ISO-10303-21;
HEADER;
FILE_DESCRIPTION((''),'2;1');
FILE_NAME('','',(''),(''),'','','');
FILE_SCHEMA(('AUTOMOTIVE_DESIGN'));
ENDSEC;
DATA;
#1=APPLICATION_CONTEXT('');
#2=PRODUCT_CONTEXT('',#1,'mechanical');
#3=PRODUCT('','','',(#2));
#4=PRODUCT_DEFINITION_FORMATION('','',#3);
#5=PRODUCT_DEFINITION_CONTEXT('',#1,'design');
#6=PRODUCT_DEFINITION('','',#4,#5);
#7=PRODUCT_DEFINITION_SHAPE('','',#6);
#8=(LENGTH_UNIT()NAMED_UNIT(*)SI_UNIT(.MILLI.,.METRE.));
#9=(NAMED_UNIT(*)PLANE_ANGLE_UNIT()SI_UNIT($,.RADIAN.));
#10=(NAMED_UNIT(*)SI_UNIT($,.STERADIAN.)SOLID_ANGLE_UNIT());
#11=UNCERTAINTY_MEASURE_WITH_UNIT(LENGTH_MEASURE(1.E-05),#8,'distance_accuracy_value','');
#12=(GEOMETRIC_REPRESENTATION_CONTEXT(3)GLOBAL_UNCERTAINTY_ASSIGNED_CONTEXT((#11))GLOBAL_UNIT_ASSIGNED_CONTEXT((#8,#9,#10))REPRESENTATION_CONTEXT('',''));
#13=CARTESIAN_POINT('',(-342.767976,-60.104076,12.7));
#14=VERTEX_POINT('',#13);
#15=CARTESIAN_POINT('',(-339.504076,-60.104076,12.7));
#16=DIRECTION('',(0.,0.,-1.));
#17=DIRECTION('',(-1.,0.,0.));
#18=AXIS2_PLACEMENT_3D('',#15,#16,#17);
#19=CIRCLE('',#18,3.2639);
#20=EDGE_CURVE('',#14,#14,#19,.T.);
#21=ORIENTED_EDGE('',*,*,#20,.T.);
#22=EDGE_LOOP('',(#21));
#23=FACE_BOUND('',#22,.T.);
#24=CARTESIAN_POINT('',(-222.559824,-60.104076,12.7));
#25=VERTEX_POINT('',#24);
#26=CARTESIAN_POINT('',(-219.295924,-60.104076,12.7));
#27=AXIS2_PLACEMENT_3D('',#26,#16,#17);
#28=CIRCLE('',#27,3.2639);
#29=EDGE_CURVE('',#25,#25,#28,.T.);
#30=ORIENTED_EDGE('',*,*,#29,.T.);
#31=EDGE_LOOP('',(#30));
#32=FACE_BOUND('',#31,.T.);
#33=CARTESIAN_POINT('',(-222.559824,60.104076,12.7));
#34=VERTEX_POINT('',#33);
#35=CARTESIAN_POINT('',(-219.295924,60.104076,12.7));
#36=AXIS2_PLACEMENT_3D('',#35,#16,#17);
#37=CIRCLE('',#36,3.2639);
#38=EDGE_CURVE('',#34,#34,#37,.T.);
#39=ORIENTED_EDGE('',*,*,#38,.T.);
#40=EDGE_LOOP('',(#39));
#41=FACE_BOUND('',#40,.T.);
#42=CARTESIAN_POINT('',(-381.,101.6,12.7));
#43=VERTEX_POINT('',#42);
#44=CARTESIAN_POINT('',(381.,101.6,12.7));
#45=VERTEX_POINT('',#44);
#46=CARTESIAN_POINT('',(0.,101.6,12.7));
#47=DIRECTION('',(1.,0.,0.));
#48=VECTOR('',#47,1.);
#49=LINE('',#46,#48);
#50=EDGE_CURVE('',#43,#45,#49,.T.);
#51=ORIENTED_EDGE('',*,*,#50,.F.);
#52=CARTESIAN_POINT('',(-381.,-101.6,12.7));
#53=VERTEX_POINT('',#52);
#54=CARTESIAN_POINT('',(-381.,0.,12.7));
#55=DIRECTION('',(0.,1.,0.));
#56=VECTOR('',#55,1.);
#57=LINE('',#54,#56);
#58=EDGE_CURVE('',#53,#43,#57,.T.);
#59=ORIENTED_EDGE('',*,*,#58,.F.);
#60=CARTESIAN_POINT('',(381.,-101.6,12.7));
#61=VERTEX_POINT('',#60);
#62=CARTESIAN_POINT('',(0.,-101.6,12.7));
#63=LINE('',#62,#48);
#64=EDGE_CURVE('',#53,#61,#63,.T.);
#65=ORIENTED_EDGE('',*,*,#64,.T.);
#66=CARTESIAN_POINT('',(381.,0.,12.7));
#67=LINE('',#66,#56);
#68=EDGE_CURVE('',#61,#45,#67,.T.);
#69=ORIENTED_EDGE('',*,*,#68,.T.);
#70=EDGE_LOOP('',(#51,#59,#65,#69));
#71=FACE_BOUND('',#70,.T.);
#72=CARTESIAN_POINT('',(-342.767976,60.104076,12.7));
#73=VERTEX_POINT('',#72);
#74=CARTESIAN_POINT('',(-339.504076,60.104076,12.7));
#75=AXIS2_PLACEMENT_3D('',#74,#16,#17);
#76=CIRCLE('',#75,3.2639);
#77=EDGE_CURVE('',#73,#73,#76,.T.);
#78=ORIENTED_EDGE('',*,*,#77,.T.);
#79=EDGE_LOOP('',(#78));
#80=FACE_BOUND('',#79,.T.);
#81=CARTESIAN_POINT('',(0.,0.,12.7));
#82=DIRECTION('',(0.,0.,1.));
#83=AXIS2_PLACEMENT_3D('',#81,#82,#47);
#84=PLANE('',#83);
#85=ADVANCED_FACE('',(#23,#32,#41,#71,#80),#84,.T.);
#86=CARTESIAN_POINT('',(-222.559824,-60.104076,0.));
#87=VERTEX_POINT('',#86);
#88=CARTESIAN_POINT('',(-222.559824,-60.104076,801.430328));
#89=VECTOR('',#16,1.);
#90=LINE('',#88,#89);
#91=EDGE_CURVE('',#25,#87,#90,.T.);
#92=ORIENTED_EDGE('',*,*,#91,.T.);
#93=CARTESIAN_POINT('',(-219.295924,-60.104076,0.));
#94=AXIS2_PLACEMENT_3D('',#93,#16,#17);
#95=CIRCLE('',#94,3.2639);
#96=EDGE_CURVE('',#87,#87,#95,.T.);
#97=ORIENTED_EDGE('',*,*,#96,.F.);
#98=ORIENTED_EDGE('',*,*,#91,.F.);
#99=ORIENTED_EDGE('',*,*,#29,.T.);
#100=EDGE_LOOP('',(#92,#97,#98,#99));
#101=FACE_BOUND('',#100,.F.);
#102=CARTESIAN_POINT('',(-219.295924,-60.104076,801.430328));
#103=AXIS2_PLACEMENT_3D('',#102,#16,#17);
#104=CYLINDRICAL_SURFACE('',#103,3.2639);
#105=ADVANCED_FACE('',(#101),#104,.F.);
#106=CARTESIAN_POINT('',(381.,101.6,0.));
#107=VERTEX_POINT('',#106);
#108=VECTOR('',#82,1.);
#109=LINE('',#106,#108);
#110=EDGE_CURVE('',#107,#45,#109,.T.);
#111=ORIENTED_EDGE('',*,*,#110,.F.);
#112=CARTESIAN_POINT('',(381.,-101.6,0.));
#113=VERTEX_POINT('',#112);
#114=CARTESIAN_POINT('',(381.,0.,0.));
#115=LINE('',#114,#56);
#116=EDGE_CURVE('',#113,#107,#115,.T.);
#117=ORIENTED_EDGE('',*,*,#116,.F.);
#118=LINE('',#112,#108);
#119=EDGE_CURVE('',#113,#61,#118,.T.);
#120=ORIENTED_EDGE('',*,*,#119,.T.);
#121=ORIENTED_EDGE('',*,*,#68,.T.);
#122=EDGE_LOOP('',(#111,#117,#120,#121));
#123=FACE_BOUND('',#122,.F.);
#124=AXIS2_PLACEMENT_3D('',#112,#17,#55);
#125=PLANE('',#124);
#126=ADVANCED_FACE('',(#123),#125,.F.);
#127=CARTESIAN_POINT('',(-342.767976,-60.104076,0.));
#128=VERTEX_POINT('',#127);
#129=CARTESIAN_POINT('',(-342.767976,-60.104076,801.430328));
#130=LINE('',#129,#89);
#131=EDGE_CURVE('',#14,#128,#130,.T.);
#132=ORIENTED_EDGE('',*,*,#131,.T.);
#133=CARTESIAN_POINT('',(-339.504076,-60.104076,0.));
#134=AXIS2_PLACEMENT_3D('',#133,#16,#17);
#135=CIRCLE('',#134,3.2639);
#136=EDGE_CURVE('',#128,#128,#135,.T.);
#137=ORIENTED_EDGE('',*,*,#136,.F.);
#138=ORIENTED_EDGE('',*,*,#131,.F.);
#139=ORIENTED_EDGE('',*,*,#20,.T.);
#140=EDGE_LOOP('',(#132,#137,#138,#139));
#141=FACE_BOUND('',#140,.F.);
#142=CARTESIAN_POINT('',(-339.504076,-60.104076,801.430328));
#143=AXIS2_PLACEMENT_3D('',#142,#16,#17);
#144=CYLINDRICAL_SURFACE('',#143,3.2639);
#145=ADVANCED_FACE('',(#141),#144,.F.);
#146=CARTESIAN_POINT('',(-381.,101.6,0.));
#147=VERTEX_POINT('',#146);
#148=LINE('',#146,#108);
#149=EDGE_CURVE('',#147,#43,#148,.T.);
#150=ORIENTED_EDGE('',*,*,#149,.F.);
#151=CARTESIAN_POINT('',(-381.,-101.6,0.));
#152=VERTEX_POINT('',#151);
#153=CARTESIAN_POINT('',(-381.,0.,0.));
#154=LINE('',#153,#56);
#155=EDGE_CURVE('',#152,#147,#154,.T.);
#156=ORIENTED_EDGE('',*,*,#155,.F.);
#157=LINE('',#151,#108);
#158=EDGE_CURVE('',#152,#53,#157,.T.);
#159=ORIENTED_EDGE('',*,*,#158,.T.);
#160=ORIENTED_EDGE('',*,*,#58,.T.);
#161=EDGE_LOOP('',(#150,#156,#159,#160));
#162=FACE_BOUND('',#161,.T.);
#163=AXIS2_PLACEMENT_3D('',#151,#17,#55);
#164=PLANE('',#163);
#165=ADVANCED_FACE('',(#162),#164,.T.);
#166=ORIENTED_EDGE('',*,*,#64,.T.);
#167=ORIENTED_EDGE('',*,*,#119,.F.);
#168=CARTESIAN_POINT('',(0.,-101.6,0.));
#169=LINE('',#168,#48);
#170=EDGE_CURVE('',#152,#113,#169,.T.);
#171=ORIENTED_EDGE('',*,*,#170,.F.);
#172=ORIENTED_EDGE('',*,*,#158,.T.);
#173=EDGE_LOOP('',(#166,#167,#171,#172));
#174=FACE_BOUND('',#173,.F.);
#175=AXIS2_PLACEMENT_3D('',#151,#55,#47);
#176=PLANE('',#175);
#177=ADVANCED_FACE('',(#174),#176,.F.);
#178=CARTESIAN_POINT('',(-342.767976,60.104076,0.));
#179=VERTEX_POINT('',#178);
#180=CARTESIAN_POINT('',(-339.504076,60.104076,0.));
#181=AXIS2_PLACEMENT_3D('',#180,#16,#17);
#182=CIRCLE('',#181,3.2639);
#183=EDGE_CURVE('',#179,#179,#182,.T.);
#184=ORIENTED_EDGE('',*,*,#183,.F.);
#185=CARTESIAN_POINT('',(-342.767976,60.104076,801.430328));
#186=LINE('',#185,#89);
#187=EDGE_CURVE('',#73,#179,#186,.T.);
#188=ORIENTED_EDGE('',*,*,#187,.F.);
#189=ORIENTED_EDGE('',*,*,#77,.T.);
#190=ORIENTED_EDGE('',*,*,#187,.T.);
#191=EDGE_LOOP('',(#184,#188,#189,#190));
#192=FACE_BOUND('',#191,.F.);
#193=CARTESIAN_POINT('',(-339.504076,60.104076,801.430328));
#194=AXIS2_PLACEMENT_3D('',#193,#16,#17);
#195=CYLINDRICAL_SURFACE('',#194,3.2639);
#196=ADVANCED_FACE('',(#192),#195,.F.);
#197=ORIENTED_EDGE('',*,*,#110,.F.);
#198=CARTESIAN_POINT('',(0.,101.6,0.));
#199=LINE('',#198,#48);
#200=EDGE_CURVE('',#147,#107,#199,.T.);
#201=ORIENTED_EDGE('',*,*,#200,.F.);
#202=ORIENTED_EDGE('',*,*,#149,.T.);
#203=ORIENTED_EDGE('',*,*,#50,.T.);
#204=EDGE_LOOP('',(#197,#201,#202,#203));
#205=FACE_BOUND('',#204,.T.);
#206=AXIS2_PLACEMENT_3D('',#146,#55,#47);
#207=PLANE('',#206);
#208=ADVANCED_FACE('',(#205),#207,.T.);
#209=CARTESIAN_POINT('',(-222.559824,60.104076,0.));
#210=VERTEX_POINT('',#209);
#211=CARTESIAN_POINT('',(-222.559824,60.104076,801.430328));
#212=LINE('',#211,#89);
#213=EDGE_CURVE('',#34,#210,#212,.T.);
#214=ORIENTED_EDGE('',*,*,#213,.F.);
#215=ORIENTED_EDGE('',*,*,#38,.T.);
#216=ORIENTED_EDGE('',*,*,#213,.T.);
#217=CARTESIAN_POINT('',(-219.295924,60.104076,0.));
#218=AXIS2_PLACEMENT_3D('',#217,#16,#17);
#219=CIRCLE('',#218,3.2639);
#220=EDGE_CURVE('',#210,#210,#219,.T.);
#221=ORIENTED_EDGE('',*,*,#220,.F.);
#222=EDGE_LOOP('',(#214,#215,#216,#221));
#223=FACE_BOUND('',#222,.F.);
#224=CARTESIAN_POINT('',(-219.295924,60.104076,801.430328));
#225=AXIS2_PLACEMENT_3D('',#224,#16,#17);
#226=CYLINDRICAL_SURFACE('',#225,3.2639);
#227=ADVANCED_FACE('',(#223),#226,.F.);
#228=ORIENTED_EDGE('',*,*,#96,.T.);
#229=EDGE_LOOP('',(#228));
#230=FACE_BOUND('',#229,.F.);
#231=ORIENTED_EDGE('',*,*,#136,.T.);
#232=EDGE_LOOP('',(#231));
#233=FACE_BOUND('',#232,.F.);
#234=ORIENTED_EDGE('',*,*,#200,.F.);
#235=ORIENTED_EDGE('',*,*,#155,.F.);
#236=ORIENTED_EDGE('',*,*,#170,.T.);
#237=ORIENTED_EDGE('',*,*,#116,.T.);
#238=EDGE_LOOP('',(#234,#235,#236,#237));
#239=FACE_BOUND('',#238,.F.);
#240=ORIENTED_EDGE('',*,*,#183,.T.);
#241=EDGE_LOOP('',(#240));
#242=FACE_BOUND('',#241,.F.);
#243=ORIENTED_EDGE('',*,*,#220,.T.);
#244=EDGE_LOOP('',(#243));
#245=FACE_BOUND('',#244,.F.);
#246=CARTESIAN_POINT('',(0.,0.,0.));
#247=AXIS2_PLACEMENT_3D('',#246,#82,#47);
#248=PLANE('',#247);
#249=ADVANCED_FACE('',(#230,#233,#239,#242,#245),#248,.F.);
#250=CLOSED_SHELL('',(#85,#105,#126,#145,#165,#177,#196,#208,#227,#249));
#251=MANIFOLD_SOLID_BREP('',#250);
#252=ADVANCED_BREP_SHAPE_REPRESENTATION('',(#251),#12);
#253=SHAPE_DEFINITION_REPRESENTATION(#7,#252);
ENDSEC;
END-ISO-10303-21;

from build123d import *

# Parameters (mm, degrees)
F0_W     = 762
F0_H     = 203.2
F1_DEPTH = 12.7
F3_D     = 6.5278


with BuildPart() as f1:
    # F0 (on Top) → F1 (new body)
    with BuildSketch(Plane.XY):
        Rectangle(F0_W, F0_H)
    extrude(amount=F1_DEPTH)

    # F3 (through all)
    with Locations(Plane.XY.offset(12.7)):
        with Locations((-339.5040764009, -60.1040764009), (-339.5040764009, 60.1040764009), (-219.2959235991, 60.1040764009), (-219.2959235991, -60.1040764009)):
            Hole(F3_D / 2)


solid = f1.part
